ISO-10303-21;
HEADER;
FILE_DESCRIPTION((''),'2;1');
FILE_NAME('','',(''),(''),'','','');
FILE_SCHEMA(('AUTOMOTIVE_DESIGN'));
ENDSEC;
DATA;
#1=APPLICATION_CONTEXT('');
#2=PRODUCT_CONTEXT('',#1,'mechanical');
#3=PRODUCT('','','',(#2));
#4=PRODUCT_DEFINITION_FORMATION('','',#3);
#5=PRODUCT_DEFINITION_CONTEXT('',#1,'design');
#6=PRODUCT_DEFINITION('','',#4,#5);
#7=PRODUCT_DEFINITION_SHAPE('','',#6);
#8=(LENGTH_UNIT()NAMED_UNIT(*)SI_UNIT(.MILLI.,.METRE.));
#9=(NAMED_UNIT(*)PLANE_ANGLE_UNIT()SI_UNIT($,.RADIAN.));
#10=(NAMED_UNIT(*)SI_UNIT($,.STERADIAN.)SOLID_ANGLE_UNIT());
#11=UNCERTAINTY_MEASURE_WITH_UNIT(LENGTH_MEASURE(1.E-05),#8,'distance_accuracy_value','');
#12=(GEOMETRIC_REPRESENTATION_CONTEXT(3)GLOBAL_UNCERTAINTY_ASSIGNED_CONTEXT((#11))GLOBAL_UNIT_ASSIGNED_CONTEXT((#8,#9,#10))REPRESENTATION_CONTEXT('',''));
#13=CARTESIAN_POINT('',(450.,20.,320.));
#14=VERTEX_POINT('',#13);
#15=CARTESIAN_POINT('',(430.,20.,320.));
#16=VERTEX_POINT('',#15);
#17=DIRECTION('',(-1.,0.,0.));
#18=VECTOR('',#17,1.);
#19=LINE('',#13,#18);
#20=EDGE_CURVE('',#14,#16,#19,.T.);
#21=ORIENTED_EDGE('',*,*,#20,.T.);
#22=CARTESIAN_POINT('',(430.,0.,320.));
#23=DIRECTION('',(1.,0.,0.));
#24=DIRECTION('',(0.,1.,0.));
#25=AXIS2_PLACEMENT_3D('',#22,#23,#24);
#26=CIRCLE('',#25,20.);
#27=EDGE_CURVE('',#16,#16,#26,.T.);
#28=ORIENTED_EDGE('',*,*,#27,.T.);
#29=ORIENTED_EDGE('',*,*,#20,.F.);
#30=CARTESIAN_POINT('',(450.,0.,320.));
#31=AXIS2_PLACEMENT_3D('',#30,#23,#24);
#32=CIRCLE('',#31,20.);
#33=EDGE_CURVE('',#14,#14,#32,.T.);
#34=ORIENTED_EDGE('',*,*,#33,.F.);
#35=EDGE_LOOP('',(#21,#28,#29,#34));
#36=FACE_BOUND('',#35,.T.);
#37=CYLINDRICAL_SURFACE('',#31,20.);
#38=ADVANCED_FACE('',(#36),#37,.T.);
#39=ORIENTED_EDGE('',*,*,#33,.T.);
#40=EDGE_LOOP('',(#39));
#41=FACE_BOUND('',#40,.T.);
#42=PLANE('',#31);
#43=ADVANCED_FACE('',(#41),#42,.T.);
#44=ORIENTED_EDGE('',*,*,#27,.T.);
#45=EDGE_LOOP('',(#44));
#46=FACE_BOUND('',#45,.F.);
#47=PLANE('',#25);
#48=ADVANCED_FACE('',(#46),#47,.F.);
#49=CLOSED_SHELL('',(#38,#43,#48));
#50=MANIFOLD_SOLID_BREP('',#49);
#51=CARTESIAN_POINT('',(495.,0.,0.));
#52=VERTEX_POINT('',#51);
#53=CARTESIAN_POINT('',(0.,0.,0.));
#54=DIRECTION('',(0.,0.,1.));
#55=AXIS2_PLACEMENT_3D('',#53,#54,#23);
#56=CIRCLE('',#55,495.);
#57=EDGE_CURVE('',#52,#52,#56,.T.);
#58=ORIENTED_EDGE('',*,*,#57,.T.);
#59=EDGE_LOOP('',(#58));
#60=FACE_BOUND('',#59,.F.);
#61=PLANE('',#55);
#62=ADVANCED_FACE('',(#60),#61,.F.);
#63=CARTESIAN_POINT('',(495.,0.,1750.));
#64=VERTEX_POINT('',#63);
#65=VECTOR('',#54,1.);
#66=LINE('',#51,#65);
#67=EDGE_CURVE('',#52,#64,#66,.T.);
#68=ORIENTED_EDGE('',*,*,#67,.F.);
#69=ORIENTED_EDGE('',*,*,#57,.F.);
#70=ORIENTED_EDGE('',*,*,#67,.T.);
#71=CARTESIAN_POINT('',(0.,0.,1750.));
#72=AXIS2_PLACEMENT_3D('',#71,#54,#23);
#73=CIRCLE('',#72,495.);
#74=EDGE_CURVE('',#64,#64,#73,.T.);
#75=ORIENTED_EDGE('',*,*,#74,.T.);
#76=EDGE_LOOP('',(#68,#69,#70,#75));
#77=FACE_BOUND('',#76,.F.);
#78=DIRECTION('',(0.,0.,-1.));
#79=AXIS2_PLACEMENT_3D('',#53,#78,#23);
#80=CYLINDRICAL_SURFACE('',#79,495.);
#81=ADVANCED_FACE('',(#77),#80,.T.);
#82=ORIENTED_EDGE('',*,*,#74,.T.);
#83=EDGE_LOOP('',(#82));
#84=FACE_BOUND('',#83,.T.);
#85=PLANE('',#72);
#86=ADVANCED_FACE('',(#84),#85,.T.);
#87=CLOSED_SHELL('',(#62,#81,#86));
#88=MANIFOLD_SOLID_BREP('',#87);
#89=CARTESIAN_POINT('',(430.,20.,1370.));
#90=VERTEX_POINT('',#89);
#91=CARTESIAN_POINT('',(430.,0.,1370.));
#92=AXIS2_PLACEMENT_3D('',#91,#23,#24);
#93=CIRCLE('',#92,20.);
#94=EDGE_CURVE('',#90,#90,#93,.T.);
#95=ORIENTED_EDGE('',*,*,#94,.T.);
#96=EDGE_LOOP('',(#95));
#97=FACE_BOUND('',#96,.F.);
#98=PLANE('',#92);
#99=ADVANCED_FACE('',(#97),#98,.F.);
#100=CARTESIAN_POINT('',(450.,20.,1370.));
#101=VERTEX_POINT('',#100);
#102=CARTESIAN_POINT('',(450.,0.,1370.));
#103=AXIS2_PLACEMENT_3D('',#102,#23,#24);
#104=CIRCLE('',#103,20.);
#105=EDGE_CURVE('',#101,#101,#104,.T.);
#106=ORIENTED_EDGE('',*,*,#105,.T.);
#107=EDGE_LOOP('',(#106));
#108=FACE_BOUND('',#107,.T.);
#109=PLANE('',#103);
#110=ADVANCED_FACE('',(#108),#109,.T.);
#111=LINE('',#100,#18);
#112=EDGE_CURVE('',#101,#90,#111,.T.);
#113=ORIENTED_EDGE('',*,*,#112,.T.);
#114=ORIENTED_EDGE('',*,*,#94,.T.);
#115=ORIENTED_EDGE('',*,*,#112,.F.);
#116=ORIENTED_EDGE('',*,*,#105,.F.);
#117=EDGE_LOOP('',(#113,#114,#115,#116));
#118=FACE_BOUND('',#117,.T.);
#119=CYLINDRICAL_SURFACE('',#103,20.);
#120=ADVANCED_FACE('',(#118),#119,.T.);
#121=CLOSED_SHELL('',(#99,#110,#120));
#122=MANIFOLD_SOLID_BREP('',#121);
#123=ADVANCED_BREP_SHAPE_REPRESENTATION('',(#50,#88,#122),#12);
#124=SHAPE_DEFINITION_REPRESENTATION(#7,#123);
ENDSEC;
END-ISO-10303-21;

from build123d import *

# Parameters (mm, degrees)
F0_R     = 495
F0_R_2   = 395
F1_DEPTH = 1750
F3_R     = 20
F4_DEPTH = 20


with BuildPart() as f1:
    # F0 (on Top) → F1 (new body)
    with BuildSketch(Plane.XY):
        Circle(F0_R)
        Circle(F0_R_2, mode=Mode.SUBTRACT)
        Circle(F0_R_2)
    extrude(amount=F1_DEPTH)


with BuildPart() as f4:
    # F3 (on offset) → F4 (new body)
    with BuildSketch(Plane.YZ.offset(450)):
        with Locations((0, 320)):
            Circle(F3_R)
        with Locations((0, 1370)):
            Circle(F3_R)
    extrude(amount=-F4_DEPTH)


solid = Compound([f1.part, f4.part])
